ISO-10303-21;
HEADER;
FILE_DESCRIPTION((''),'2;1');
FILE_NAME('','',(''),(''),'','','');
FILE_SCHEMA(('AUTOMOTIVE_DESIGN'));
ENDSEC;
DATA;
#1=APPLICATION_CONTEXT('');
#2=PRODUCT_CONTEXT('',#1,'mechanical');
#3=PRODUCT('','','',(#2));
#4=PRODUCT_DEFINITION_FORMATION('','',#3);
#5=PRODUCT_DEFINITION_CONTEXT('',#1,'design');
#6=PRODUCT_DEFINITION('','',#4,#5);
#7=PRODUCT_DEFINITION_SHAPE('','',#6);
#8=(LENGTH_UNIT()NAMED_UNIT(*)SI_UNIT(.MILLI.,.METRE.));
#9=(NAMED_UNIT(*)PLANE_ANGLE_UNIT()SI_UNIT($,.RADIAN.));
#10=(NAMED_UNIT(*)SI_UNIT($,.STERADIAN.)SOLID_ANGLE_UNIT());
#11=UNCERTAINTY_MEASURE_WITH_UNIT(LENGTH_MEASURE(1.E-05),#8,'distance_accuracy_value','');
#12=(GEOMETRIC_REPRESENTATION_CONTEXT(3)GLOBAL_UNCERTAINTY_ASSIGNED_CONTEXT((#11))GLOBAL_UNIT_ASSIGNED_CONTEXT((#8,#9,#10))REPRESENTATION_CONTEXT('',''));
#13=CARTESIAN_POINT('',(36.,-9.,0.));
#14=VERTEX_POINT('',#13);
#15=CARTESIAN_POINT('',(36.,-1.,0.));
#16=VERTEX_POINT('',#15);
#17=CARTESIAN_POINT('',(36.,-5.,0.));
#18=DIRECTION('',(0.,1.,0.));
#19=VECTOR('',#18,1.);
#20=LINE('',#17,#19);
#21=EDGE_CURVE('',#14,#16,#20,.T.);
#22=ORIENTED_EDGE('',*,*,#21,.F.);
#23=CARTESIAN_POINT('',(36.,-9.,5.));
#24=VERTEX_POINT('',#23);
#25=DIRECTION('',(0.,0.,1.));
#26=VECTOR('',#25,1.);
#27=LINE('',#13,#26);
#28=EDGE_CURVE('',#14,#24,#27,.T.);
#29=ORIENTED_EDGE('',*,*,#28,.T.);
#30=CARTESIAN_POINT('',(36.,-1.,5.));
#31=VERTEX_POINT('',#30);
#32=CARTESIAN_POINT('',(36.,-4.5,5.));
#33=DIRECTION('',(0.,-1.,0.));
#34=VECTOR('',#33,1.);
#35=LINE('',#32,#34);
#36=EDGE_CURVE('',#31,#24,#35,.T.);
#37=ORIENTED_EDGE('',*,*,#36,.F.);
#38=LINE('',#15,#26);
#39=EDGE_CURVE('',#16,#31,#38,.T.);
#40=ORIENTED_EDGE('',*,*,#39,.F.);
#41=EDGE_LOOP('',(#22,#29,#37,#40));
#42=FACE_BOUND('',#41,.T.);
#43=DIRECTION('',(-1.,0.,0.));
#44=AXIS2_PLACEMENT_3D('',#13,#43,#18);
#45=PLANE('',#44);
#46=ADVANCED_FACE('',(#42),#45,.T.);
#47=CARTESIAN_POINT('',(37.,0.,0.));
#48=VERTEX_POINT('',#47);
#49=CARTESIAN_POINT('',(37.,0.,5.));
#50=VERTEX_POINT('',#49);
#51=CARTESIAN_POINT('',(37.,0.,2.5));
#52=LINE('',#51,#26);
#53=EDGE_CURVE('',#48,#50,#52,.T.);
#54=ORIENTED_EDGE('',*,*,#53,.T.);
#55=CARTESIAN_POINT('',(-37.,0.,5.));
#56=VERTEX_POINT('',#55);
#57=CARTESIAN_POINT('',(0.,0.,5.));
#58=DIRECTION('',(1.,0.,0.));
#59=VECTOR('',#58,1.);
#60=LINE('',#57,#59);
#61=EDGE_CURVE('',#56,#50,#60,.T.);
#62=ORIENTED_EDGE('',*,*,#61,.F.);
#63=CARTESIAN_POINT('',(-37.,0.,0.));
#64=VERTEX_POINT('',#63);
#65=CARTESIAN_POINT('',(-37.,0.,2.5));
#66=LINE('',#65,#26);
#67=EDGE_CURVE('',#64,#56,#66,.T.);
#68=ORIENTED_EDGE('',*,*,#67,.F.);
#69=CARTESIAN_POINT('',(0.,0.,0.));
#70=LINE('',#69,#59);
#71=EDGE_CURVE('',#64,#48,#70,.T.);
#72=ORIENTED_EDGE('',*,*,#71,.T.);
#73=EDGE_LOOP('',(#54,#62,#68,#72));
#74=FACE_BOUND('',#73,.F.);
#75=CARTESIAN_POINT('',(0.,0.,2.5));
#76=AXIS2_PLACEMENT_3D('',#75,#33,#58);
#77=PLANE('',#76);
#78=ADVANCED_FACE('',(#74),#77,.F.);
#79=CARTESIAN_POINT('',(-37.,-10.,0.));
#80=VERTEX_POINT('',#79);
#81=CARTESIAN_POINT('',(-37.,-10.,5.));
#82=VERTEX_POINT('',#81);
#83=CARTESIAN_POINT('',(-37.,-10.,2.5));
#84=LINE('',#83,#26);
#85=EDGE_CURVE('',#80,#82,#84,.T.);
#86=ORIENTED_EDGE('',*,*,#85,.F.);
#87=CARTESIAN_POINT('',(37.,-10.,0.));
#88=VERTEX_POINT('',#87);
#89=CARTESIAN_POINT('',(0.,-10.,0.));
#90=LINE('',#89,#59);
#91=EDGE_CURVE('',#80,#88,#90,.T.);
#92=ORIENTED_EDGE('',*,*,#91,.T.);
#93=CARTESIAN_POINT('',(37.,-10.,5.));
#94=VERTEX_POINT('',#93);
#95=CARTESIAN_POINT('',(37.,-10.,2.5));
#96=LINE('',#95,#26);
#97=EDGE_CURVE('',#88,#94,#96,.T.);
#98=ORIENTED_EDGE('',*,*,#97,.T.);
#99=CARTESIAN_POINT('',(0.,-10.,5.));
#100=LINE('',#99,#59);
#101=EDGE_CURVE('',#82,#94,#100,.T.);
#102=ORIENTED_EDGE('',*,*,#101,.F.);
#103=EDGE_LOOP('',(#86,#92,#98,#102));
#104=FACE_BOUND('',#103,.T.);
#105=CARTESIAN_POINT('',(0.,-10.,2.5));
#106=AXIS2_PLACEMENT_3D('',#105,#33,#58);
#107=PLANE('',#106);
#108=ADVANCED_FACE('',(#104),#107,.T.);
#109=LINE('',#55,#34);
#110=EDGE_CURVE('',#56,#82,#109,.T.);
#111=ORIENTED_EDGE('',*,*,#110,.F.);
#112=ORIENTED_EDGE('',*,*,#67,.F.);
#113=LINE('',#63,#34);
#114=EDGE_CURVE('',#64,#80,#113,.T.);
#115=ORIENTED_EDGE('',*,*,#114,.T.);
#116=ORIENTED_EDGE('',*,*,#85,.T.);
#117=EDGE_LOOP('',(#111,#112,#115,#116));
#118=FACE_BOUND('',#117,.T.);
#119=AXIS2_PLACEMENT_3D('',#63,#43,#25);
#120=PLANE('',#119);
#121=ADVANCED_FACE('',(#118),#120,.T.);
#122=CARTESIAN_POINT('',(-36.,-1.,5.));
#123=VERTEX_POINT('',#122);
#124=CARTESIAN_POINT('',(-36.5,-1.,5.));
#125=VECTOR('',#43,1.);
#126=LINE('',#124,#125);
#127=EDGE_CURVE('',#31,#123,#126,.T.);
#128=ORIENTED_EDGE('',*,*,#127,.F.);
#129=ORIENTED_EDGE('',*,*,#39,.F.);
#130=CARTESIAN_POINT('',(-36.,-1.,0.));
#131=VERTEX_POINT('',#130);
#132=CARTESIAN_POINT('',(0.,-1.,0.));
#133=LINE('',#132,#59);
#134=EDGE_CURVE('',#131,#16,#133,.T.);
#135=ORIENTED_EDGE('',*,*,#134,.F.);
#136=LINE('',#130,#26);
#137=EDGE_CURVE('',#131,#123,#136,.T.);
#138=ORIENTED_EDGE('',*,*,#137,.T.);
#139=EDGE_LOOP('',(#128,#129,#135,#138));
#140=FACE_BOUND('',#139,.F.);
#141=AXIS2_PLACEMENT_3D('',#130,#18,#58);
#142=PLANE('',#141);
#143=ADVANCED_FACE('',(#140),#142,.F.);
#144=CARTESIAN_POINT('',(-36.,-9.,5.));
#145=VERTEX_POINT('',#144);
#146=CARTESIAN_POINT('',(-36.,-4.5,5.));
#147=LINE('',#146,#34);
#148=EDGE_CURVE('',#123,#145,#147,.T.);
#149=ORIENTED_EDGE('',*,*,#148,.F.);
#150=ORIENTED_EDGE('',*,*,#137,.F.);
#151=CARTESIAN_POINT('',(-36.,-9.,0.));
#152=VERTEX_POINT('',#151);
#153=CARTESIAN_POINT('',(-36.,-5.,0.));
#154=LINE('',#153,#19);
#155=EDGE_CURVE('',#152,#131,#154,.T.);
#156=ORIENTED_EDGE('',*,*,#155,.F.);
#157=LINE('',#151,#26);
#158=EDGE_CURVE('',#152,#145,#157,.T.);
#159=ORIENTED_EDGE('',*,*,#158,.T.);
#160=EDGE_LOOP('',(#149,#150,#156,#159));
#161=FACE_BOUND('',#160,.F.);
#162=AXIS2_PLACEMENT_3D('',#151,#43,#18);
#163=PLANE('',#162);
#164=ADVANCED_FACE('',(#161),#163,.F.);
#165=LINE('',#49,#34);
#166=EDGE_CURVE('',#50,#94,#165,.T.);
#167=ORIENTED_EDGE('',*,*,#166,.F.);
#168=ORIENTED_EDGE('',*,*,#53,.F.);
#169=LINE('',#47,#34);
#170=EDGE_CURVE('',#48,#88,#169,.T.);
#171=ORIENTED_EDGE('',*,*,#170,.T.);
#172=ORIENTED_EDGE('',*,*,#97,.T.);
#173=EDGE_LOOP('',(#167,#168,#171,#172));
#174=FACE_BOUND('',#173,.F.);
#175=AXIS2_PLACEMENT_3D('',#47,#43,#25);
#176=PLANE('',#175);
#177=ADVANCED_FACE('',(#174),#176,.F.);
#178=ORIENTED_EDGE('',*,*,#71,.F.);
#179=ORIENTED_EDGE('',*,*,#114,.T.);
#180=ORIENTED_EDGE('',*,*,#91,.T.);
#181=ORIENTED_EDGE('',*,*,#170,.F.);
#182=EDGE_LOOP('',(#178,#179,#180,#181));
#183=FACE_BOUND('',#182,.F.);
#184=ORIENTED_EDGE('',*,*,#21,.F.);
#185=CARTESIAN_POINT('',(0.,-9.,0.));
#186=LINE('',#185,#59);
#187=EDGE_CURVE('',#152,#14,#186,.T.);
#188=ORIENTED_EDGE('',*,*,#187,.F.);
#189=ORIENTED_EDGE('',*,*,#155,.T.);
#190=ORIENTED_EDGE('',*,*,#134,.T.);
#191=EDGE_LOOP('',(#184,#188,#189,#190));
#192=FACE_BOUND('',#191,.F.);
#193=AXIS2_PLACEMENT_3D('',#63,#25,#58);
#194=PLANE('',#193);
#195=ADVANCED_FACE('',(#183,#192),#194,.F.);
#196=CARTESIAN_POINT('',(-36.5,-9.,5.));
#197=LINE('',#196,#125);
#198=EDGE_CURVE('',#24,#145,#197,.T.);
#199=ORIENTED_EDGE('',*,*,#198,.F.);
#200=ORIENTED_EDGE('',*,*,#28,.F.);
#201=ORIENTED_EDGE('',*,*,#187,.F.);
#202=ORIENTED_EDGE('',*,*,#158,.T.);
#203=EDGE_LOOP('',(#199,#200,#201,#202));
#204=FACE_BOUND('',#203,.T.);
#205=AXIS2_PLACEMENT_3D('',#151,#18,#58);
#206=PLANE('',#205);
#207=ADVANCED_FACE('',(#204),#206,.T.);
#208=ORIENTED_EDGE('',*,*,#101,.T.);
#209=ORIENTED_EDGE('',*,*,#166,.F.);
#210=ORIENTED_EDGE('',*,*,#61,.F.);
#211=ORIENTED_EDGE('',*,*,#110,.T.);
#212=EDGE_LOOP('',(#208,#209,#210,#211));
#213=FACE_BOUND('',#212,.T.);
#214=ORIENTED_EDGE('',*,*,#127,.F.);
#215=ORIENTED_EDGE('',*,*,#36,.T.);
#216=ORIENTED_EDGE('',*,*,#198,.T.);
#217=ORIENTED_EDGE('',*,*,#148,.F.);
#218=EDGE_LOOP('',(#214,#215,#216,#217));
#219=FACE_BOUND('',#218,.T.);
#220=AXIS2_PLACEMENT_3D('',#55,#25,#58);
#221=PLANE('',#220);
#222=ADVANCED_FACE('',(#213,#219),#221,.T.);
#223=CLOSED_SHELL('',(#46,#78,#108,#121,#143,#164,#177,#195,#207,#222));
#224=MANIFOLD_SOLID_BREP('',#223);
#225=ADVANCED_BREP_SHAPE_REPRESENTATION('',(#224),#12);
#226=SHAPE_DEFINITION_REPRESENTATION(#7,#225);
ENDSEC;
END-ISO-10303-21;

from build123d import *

# Parameters (mm, degrees)
F0_W     = 74
F0_H     = 5
F1_DEPTH = 10
F2_W     = 72
F2_H     = 8
F3_DEPTH = 16.7


with BuildPart() as f1:
    # F0 (on Front) → F1 (new body)
    with BuildSketch(Plane.XZ):
        with Locations((0, 2.5)):
            Rectangle(F0_W, F0_H)
    extrude(amount=F1_DEPTH)

    # F2 (on Top) → F3 (cut)
    with BuildSketch(Plane.XY):
        with Locations((0, -5)):
            Rectangle(F2_W, F2_H)
    extrude(amount=F3_DEPTH, mode=Mode.SUBTRACT)


solid = f1.part
